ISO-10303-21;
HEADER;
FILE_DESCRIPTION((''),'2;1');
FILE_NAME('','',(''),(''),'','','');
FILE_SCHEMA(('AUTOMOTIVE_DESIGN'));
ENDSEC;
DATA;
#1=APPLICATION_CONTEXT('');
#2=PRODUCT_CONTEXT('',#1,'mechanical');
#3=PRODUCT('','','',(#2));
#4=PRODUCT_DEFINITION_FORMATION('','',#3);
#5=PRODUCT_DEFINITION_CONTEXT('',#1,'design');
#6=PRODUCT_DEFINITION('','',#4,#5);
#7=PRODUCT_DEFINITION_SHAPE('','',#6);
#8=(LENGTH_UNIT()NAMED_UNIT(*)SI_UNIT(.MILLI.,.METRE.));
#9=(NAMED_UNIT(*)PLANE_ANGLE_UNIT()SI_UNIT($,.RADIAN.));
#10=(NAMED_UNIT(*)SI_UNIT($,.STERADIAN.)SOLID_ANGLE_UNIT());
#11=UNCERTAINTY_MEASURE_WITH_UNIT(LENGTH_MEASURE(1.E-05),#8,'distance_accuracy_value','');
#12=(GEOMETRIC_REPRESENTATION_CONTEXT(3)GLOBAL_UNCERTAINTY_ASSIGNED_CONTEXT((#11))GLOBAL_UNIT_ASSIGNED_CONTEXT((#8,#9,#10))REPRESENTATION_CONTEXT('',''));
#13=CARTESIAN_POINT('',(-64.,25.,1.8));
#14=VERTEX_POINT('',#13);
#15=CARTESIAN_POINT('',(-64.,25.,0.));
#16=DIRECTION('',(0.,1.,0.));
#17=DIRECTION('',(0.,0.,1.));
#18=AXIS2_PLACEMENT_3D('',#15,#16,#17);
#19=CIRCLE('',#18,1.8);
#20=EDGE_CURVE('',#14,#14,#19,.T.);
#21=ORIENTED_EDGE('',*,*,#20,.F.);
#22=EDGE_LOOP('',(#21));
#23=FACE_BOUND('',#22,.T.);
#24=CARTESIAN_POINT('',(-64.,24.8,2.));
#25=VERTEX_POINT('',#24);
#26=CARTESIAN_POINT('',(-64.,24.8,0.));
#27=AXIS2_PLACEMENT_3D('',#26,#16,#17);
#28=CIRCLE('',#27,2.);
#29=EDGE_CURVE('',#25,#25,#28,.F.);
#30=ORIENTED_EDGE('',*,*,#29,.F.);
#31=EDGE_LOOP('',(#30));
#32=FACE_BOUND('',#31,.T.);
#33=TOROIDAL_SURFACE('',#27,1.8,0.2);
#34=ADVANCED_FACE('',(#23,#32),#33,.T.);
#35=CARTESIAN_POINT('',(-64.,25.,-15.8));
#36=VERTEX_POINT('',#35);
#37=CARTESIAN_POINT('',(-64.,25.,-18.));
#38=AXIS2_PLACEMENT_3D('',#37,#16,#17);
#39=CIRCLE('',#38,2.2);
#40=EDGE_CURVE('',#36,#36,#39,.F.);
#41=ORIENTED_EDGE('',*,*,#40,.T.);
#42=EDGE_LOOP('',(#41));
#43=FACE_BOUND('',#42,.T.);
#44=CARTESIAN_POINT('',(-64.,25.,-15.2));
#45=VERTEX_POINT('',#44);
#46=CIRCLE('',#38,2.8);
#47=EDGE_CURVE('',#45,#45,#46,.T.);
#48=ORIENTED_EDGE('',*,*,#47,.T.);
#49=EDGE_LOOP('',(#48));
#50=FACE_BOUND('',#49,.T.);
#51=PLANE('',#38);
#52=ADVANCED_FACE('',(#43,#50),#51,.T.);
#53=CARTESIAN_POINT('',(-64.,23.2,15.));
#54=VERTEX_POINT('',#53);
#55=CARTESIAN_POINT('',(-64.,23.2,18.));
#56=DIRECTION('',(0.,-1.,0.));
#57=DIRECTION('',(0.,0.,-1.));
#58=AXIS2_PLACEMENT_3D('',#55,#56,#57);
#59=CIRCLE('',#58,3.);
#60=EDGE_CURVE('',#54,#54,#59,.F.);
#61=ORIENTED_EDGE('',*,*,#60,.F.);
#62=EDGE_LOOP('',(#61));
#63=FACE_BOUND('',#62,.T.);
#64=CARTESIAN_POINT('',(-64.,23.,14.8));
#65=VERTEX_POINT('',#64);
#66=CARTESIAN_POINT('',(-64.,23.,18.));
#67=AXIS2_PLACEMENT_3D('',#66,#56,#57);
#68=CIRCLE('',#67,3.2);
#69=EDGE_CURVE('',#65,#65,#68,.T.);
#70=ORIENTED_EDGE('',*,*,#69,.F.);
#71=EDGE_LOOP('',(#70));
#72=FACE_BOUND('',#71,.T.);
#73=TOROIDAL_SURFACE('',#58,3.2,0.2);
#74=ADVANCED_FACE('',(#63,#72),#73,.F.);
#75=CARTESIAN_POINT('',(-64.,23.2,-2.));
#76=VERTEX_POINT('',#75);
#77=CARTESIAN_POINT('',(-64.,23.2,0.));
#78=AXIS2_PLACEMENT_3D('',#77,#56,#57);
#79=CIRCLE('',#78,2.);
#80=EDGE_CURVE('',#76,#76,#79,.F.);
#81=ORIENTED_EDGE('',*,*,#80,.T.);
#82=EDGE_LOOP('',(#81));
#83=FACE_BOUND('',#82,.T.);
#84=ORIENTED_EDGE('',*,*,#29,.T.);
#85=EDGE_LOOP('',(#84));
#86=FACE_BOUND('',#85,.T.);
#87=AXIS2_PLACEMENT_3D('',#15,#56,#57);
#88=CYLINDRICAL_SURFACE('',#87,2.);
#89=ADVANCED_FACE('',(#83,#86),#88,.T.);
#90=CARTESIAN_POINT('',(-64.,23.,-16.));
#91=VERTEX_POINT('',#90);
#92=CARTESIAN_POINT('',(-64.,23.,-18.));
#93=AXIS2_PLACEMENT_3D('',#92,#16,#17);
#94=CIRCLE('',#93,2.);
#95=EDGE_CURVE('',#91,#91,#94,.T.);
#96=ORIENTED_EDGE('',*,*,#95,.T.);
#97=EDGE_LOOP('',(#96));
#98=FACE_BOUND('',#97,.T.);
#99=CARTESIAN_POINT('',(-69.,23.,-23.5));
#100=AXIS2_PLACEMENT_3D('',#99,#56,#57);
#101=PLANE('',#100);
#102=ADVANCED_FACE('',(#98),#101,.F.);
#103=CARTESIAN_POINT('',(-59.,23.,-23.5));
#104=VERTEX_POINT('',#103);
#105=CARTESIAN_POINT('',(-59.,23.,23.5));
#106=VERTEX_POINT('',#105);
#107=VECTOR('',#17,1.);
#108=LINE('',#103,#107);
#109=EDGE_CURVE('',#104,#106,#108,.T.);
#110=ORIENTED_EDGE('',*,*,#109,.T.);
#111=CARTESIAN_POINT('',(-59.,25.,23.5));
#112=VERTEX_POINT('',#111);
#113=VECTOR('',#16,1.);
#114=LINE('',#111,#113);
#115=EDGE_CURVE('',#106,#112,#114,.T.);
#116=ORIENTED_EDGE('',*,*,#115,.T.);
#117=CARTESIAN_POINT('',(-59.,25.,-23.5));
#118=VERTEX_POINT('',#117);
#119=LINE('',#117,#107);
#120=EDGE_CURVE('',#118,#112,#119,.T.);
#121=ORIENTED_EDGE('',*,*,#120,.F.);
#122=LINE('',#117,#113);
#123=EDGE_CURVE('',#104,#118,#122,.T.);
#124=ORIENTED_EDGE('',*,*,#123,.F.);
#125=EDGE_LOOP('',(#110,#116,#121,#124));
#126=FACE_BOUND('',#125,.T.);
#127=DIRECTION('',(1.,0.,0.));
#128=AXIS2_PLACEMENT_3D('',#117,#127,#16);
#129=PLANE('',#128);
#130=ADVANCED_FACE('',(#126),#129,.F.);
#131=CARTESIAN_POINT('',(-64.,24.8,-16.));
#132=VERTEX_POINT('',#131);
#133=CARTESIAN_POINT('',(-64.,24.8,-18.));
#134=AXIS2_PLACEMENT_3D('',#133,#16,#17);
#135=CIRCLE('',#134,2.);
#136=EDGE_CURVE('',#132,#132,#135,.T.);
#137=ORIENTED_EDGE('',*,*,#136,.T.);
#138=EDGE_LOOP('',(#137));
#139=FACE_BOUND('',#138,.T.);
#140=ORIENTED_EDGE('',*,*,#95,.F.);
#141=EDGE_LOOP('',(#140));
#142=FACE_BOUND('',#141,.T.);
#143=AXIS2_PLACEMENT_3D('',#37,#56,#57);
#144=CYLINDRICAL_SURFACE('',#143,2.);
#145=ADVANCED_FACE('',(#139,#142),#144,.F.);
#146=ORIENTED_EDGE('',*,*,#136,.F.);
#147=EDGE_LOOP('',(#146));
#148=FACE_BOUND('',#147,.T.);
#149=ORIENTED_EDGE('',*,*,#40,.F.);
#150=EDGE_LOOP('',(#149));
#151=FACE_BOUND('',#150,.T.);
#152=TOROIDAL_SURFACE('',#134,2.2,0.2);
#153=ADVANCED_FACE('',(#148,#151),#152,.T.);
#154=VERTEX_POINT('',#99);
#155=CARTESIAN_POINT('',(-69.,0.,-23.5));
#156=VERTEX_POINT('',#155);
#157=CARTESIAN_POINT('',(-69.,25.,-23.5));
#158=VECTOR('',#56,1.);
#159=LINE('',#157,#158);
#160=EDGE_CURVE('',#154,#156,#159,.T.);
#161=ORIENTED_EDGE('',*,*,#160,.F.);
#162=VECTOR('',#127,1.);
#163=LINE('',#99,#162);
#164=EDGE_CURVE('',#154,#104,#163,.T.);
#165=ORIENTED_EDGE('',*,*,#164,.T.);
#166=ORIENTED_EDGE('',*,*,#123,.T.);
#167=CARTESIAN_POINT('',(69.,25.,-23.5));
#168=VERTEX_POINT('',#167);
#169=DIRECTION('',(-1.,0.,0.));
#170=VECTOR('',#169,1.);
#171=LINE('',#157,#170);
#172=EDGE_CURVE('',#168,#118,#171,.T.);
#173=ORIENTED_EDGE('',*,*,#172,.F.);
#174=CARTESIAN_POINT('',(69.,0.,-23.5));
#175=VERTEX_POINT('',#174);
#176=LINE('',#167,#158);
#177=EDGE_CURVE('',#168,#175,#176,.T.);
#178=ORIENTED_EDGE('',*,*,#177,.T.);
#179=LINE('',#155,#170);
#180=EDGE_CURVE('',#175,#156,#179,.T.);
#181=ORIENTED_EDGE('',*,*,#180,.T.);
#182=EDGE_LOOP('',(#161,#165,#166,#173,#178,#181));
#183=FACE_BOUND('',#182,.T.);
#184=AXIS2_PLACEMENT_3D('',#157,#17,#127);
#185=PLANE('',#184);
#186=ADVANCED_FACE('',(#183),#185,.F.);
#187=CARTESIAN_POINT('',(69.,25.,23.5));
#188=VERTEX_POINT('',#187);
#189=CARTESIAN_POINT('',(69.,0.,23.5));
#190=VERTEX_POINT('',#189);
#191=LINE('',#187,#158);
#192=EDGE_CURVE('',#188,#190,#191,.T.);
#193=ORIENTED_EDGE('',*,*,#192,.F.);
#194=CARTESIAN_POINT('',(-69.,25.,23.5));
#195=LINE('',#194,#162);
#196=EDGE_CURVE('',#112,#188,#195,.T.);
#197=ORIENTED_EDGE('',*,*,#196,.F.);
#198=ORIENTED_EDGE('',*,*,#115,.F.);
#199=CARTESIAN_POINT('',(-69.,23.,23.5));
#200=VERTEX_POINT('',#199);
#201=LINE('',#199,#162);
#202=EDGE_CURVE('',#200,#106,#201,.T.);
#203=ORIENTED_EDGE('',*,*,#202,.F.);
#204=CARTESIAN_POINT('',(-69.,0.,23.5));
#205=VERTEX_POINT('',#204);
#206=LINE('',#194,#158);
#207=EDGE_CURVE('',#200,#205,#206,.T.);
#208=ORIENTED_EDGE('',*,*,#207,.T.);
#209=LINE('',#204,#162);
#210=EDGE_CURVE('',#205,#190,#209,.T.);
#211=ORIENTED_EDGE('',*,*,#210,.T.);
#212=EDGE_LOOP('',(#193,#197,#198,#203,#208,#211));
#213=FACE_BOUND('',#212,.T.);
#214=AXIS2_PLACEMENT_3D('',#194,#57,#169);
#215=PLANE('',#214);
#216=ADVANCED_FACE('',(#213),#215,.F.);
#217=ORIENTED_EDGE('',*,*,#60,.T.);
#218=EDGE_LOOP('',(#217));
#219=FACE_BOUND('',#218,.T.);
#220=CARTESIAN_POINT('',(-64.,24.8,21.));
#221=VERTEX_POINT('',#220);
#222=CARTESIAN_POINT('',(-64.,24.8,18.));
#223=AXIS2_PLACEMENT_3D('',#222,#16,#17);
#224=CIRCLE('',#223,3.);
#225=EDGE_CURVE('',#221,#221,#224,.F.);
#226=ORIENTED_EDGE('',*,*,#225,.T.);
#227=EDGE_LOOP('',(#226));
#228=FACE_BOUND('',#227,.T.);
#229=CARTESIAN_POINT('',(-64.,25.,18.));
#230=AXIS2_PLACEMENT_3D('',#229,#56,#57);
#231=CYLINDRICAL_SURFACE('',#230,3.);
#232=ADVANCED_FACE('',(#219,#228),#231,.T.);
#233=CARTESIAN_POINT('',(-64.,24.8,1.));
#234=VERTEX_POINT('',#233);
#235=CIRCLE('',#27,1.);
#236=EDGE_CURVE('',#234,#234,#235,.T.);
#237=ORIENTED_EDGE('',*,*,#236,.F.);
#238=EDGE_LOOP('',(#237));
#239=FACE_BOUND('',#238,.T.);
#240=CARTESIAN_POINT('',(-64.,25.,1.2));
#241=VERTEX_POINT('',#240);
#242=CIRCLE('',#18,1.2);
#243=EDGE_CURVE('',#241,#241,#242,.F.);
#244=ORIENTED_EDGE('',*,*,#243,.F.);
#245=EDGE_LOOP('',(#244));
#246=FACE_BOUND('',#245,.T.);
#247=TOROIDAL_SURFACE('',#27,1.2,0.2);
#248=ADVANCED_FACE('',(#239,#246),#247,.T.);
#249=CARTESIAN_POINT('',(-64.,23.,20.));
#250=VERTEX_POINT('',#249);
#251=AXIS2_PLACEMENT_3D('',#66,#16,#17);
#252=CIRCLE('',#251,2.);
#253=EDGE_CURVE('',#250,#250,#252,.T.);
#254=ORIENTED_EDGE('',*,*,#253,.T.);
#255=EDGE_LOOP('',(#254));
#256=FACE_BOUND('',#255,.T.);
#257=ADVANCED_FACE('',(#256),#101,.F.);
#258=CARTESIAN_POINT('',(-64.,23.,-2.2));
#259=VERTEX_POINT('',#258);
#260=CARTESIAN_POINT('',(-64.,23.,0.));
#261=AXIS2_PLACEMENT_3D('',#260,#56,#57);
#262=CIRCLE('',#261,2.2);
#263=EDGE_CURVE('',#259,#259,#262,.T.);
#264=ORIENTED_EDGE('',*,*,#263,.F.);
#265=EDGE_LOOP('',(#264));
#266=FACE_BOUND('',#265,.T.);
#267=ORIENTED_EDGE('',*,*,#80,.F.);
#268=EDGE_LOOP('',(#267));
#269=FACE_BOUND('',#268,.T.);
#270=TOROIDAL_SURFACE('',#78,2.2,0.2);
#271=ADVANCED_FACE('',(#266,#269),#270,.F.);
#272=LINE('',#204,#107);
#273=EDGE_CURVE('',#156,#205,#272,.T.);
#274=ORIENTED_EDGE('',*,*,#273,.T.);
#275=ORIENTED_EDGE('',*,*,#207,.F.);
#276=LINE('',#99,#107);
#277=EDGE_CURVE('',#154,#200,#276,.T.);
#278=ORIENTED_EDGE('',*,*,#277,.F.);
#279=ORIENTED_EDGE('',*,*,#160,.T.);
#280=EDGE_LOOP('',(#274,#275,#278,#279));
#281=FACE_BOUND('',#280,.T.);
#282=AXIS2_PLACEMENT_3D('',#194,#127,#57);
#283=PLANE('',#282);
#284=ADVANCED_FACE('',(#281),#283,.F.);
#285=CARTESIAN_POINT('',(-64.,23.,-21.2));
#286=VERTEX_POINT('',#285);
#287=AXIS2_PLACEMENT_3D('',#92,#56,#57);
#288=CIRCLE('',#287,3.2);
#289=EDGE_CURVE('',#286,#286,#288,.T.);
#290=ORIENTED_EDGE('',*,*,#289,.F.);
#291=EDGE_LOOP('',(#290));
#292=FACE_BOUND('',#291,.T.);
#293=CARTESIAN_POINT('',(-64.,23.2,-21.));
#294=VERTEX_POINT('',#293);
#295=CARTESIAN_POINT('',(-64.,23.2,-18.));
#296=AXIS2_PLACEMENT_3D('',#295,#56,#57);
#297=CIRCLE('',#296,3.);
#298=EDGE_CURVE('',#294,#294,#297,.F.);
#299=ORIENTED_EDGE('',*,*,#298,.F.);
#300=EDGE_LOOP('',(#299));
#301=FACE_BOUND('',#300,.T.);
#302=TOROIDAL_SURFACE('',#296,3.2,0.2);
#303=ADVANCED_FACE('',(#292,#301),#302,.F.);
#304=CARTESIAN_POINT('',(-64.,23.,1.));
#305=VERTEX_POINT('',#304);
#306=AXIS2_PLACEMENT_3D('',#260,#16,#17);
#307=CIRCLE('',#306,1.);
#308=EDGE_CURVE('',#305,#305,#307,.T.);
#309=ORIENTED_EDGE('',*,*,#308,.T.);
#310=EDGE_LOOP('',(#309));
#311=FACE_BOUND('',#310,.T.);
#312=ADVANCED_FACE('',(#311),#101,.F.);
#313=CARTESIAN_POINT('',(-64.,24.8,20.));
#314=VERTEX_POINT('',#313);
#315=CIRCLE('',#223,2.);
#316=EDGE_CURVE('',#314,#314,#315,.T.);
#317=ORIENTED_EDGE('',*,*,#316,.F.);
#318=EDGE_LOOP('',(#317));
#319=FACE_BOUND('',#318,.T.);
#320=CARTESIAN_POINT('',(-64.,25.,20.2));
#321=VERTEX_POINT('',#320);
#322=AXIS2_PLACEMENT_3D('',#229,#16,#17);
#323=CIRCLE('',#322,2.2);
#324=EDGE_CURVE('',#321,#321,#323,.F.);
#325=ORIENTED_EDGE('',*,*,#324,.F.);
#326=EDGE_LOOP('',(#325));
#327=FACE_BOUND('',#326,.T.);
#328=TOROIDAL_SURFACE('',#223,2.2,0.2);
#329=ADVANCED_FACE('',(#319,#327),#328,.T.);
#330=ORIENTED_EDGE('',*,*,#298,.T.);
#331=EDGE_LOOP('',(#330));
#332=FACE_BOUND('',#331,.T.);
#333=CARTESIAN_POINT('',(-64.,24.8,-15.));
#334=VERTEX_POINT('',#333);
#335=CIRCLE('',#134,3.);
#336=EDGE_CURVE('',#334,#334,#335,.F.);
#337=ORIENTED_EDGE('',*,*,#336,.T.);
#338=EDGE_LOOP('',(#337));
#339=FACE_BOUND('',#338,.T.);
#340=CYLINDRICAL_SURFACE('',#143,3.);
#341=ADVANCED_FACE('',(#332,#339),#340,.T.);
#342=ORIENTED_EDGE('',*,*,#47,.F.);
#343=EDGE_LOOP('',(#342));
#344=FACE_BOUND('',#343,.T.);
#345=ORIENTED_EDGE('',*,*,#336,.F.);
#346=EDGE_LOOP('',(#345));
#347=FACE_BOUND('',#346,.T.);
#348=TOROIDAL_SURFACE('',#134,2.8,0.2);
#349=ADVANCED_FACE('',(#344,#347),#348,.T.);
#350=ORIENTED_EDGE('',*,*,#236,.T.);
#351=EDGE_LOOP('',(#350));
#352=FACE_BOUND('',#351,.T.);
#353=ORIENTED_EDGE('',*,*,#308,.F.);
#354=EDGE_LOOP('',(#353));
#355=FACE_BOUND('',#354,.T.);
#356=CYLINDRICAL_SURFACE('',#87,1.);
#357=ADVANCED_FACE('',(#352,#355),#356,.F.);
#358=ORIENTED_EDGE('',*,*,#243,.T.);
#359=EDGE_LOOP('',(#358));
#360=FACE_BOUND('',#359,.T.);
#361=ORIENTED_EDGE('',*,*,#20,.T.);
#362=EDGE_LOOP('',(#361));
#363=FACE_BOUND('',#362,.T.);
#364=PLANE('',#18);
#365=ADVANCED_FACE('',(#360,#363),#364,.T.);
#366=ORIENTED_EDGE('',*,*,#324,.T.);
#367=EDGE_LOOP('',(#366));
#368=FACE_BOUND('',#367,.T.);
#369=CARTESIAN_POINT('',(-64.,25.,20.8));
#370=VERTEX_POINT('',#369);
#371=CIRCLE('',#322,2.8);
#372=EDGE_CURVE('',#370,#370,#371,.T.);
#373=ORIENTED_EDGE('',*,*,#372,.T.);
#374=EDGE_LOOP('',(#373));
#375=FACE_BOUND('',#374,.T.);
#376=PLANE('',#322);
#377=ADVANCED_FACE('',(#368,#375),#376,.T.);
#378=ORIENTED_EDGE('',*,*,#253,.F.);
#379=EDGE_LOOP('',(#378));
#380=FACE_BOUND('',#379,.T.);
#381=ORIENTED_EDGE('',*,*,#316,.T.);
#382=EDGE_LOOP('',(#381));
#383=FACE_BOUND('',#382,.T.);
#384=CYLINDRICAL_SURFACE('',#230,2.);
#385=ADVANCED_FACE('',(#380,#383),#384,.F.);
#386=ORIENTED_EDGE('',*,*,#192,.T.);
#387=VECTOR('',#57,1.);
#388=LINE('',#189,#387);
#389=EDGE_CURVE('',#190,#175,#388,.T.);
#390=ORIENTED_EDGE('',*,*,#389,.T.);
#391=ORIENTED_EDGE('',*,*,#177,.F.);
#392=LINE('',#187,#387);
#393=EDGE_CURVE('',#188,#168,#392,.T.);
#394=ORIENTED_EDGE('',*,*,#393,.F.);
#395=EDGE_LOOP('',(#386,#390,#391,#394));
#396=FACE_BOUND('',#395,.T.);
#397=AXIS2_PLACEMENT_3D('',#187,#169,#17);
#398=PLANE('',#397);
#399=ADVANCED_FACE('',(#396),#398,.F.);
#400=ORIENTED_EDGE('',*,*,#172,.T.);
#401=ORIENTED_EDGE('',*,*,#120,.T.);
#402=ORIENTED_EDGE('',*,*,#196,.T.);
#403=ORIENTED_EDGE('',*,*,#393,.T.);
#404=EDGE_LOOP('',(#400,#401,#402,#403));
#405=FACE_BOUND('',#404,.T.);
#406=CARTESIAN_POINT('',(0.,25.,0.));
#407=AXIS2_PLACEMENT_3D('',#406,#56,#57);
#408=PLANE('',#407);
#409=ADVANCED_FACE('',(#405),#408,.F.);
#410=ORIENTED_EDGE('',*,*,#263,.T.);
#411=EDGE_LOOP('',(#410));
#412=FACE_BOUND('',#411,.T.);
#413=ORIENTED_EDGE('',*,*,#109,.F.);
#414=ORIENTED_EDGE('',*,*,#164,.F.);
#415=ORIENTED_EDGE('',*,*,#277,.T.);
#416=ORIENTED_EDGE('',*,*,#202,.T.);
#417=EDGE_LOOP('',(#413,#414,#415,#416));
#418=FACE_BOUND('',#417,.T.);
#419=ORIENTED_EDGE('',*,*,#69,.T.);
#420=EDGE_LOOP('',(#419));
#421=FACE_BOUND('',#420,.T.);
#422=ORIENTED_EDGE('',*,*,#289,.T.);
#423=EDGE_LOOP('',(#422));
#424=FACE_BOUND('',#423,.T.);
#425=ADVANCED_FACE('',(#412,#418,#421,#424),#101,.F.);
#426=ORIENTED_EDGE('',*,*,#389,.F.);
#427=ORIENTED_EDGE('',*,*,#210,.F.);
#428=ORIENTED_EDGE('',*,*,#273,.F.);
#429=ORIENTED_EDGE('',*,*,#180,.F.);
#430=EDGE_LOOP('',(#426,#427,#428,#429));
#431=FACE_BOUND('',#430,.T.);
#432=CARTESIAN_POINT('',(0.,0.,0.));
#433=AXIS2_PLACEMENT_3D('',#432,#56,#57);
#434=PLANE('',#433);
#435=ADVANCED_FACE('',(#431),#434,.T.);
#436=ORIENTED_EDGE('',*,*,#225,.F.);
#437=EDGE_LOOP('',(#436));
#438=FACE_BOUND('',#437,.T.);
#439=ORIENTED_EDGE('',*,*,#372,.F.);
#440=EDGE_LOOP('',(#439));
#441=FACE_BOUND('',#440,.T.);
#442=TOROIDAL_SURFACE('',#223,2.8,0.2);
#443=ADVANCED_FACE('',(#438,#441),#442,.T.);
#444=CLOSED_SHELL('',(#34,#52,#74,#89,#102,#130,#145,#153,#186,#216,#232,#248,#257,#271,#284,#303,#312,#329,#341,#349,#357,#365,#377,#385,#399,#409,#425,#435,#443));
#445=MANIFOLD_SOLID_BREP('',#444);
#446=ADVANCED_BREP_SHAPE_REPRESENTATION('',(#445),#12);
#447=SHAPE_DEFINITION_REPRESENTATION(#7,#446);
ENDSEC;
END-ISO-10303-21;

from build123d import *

# Parameters (mm, degrees)
SKETCH1_W           = 138
SKETCH1_H           = 47
BOSS_EXTRUDE1_DEPTH = 25
SKETCH2_W           = 10
SKETCH2_H           = 2
CUT_EXTRUDE1_DEPTH  = 48
SKETCH3_R           = 3
SKETCH3_R_2         = 2
SKETCH3_R_3         = 1
BOSS_EXTRUDE2_DEPTH = 2
FILLET1_R           = 0.2


with BuildPart() as part:
    # Sketch1 → Boss-Extrude1 (new body)
    with BuildSketch(Plane(origin=(0, 0, 0), x_dir=(1, 0, 0), z_dir=(0, 1, 0))):
        Rectangle(SKETCH1_W, SKETCH1_H)
    extrude(amount=BOSS_EXTRUDE1_DEPTH)

    # Sketch2 → Cut-Extrude1 (cut, through all)
    with BuildSketch(Plane.XY.offset(23.5)):
        with Locations((-64, 24)):
            Rectangle(SKETCH2_W, SKETCH2_H)
    extrude(amount=-CUT_EXTRUDE1_DEPTH, mode=Mode.SUBTRACT)

    # Sketch3 → Boss-Extrude2 (add, through all)
    with BuildSketch(Plane(origin=(0, 23, 0), x_dir=(1, 0, 0), z_dir=(0, 1, 0))):
        with Locations((-64, -18)):
            Circle(SKETCH3_R)
        with Locations((-64, -18)):
            Circle(SKETCH3_R_2, mode=Mode.SUBTRACT)
        with Locations((-64, 0)):
            Circle(SKETCH3_R_2)
        with Locations((-64, 0)):
            Circle(SKETCH3_R_3, mode=Mode.SUBTRACT)
        with Locations((-64, 18)):
            Circle(SKETCH3_R)
        with Locations((-64, 18)):
            Circle(SKETCH3_R_2, mode=Mode.SUBTRACT)
    extrude(amount=BOSS_EXTRUDE2_DEPTH)

    # Fillet1
    fillet1_edges = [part.edges().sort_by_distance(p)[0] for p in [
        (-67, 23, 18),
        (-67, 25, 18),
        (-66, 25, 18),
        (-66, 23, 0),
        (-66, 25, 0),
        (-65, 25, 0),
        (-67, 23, -18),
        (-67, 25, -18),
        (-66, 25, -18),
    ]]
    fillet(fillet1_edges, radius=FILLET1_R)


solid = part.part
